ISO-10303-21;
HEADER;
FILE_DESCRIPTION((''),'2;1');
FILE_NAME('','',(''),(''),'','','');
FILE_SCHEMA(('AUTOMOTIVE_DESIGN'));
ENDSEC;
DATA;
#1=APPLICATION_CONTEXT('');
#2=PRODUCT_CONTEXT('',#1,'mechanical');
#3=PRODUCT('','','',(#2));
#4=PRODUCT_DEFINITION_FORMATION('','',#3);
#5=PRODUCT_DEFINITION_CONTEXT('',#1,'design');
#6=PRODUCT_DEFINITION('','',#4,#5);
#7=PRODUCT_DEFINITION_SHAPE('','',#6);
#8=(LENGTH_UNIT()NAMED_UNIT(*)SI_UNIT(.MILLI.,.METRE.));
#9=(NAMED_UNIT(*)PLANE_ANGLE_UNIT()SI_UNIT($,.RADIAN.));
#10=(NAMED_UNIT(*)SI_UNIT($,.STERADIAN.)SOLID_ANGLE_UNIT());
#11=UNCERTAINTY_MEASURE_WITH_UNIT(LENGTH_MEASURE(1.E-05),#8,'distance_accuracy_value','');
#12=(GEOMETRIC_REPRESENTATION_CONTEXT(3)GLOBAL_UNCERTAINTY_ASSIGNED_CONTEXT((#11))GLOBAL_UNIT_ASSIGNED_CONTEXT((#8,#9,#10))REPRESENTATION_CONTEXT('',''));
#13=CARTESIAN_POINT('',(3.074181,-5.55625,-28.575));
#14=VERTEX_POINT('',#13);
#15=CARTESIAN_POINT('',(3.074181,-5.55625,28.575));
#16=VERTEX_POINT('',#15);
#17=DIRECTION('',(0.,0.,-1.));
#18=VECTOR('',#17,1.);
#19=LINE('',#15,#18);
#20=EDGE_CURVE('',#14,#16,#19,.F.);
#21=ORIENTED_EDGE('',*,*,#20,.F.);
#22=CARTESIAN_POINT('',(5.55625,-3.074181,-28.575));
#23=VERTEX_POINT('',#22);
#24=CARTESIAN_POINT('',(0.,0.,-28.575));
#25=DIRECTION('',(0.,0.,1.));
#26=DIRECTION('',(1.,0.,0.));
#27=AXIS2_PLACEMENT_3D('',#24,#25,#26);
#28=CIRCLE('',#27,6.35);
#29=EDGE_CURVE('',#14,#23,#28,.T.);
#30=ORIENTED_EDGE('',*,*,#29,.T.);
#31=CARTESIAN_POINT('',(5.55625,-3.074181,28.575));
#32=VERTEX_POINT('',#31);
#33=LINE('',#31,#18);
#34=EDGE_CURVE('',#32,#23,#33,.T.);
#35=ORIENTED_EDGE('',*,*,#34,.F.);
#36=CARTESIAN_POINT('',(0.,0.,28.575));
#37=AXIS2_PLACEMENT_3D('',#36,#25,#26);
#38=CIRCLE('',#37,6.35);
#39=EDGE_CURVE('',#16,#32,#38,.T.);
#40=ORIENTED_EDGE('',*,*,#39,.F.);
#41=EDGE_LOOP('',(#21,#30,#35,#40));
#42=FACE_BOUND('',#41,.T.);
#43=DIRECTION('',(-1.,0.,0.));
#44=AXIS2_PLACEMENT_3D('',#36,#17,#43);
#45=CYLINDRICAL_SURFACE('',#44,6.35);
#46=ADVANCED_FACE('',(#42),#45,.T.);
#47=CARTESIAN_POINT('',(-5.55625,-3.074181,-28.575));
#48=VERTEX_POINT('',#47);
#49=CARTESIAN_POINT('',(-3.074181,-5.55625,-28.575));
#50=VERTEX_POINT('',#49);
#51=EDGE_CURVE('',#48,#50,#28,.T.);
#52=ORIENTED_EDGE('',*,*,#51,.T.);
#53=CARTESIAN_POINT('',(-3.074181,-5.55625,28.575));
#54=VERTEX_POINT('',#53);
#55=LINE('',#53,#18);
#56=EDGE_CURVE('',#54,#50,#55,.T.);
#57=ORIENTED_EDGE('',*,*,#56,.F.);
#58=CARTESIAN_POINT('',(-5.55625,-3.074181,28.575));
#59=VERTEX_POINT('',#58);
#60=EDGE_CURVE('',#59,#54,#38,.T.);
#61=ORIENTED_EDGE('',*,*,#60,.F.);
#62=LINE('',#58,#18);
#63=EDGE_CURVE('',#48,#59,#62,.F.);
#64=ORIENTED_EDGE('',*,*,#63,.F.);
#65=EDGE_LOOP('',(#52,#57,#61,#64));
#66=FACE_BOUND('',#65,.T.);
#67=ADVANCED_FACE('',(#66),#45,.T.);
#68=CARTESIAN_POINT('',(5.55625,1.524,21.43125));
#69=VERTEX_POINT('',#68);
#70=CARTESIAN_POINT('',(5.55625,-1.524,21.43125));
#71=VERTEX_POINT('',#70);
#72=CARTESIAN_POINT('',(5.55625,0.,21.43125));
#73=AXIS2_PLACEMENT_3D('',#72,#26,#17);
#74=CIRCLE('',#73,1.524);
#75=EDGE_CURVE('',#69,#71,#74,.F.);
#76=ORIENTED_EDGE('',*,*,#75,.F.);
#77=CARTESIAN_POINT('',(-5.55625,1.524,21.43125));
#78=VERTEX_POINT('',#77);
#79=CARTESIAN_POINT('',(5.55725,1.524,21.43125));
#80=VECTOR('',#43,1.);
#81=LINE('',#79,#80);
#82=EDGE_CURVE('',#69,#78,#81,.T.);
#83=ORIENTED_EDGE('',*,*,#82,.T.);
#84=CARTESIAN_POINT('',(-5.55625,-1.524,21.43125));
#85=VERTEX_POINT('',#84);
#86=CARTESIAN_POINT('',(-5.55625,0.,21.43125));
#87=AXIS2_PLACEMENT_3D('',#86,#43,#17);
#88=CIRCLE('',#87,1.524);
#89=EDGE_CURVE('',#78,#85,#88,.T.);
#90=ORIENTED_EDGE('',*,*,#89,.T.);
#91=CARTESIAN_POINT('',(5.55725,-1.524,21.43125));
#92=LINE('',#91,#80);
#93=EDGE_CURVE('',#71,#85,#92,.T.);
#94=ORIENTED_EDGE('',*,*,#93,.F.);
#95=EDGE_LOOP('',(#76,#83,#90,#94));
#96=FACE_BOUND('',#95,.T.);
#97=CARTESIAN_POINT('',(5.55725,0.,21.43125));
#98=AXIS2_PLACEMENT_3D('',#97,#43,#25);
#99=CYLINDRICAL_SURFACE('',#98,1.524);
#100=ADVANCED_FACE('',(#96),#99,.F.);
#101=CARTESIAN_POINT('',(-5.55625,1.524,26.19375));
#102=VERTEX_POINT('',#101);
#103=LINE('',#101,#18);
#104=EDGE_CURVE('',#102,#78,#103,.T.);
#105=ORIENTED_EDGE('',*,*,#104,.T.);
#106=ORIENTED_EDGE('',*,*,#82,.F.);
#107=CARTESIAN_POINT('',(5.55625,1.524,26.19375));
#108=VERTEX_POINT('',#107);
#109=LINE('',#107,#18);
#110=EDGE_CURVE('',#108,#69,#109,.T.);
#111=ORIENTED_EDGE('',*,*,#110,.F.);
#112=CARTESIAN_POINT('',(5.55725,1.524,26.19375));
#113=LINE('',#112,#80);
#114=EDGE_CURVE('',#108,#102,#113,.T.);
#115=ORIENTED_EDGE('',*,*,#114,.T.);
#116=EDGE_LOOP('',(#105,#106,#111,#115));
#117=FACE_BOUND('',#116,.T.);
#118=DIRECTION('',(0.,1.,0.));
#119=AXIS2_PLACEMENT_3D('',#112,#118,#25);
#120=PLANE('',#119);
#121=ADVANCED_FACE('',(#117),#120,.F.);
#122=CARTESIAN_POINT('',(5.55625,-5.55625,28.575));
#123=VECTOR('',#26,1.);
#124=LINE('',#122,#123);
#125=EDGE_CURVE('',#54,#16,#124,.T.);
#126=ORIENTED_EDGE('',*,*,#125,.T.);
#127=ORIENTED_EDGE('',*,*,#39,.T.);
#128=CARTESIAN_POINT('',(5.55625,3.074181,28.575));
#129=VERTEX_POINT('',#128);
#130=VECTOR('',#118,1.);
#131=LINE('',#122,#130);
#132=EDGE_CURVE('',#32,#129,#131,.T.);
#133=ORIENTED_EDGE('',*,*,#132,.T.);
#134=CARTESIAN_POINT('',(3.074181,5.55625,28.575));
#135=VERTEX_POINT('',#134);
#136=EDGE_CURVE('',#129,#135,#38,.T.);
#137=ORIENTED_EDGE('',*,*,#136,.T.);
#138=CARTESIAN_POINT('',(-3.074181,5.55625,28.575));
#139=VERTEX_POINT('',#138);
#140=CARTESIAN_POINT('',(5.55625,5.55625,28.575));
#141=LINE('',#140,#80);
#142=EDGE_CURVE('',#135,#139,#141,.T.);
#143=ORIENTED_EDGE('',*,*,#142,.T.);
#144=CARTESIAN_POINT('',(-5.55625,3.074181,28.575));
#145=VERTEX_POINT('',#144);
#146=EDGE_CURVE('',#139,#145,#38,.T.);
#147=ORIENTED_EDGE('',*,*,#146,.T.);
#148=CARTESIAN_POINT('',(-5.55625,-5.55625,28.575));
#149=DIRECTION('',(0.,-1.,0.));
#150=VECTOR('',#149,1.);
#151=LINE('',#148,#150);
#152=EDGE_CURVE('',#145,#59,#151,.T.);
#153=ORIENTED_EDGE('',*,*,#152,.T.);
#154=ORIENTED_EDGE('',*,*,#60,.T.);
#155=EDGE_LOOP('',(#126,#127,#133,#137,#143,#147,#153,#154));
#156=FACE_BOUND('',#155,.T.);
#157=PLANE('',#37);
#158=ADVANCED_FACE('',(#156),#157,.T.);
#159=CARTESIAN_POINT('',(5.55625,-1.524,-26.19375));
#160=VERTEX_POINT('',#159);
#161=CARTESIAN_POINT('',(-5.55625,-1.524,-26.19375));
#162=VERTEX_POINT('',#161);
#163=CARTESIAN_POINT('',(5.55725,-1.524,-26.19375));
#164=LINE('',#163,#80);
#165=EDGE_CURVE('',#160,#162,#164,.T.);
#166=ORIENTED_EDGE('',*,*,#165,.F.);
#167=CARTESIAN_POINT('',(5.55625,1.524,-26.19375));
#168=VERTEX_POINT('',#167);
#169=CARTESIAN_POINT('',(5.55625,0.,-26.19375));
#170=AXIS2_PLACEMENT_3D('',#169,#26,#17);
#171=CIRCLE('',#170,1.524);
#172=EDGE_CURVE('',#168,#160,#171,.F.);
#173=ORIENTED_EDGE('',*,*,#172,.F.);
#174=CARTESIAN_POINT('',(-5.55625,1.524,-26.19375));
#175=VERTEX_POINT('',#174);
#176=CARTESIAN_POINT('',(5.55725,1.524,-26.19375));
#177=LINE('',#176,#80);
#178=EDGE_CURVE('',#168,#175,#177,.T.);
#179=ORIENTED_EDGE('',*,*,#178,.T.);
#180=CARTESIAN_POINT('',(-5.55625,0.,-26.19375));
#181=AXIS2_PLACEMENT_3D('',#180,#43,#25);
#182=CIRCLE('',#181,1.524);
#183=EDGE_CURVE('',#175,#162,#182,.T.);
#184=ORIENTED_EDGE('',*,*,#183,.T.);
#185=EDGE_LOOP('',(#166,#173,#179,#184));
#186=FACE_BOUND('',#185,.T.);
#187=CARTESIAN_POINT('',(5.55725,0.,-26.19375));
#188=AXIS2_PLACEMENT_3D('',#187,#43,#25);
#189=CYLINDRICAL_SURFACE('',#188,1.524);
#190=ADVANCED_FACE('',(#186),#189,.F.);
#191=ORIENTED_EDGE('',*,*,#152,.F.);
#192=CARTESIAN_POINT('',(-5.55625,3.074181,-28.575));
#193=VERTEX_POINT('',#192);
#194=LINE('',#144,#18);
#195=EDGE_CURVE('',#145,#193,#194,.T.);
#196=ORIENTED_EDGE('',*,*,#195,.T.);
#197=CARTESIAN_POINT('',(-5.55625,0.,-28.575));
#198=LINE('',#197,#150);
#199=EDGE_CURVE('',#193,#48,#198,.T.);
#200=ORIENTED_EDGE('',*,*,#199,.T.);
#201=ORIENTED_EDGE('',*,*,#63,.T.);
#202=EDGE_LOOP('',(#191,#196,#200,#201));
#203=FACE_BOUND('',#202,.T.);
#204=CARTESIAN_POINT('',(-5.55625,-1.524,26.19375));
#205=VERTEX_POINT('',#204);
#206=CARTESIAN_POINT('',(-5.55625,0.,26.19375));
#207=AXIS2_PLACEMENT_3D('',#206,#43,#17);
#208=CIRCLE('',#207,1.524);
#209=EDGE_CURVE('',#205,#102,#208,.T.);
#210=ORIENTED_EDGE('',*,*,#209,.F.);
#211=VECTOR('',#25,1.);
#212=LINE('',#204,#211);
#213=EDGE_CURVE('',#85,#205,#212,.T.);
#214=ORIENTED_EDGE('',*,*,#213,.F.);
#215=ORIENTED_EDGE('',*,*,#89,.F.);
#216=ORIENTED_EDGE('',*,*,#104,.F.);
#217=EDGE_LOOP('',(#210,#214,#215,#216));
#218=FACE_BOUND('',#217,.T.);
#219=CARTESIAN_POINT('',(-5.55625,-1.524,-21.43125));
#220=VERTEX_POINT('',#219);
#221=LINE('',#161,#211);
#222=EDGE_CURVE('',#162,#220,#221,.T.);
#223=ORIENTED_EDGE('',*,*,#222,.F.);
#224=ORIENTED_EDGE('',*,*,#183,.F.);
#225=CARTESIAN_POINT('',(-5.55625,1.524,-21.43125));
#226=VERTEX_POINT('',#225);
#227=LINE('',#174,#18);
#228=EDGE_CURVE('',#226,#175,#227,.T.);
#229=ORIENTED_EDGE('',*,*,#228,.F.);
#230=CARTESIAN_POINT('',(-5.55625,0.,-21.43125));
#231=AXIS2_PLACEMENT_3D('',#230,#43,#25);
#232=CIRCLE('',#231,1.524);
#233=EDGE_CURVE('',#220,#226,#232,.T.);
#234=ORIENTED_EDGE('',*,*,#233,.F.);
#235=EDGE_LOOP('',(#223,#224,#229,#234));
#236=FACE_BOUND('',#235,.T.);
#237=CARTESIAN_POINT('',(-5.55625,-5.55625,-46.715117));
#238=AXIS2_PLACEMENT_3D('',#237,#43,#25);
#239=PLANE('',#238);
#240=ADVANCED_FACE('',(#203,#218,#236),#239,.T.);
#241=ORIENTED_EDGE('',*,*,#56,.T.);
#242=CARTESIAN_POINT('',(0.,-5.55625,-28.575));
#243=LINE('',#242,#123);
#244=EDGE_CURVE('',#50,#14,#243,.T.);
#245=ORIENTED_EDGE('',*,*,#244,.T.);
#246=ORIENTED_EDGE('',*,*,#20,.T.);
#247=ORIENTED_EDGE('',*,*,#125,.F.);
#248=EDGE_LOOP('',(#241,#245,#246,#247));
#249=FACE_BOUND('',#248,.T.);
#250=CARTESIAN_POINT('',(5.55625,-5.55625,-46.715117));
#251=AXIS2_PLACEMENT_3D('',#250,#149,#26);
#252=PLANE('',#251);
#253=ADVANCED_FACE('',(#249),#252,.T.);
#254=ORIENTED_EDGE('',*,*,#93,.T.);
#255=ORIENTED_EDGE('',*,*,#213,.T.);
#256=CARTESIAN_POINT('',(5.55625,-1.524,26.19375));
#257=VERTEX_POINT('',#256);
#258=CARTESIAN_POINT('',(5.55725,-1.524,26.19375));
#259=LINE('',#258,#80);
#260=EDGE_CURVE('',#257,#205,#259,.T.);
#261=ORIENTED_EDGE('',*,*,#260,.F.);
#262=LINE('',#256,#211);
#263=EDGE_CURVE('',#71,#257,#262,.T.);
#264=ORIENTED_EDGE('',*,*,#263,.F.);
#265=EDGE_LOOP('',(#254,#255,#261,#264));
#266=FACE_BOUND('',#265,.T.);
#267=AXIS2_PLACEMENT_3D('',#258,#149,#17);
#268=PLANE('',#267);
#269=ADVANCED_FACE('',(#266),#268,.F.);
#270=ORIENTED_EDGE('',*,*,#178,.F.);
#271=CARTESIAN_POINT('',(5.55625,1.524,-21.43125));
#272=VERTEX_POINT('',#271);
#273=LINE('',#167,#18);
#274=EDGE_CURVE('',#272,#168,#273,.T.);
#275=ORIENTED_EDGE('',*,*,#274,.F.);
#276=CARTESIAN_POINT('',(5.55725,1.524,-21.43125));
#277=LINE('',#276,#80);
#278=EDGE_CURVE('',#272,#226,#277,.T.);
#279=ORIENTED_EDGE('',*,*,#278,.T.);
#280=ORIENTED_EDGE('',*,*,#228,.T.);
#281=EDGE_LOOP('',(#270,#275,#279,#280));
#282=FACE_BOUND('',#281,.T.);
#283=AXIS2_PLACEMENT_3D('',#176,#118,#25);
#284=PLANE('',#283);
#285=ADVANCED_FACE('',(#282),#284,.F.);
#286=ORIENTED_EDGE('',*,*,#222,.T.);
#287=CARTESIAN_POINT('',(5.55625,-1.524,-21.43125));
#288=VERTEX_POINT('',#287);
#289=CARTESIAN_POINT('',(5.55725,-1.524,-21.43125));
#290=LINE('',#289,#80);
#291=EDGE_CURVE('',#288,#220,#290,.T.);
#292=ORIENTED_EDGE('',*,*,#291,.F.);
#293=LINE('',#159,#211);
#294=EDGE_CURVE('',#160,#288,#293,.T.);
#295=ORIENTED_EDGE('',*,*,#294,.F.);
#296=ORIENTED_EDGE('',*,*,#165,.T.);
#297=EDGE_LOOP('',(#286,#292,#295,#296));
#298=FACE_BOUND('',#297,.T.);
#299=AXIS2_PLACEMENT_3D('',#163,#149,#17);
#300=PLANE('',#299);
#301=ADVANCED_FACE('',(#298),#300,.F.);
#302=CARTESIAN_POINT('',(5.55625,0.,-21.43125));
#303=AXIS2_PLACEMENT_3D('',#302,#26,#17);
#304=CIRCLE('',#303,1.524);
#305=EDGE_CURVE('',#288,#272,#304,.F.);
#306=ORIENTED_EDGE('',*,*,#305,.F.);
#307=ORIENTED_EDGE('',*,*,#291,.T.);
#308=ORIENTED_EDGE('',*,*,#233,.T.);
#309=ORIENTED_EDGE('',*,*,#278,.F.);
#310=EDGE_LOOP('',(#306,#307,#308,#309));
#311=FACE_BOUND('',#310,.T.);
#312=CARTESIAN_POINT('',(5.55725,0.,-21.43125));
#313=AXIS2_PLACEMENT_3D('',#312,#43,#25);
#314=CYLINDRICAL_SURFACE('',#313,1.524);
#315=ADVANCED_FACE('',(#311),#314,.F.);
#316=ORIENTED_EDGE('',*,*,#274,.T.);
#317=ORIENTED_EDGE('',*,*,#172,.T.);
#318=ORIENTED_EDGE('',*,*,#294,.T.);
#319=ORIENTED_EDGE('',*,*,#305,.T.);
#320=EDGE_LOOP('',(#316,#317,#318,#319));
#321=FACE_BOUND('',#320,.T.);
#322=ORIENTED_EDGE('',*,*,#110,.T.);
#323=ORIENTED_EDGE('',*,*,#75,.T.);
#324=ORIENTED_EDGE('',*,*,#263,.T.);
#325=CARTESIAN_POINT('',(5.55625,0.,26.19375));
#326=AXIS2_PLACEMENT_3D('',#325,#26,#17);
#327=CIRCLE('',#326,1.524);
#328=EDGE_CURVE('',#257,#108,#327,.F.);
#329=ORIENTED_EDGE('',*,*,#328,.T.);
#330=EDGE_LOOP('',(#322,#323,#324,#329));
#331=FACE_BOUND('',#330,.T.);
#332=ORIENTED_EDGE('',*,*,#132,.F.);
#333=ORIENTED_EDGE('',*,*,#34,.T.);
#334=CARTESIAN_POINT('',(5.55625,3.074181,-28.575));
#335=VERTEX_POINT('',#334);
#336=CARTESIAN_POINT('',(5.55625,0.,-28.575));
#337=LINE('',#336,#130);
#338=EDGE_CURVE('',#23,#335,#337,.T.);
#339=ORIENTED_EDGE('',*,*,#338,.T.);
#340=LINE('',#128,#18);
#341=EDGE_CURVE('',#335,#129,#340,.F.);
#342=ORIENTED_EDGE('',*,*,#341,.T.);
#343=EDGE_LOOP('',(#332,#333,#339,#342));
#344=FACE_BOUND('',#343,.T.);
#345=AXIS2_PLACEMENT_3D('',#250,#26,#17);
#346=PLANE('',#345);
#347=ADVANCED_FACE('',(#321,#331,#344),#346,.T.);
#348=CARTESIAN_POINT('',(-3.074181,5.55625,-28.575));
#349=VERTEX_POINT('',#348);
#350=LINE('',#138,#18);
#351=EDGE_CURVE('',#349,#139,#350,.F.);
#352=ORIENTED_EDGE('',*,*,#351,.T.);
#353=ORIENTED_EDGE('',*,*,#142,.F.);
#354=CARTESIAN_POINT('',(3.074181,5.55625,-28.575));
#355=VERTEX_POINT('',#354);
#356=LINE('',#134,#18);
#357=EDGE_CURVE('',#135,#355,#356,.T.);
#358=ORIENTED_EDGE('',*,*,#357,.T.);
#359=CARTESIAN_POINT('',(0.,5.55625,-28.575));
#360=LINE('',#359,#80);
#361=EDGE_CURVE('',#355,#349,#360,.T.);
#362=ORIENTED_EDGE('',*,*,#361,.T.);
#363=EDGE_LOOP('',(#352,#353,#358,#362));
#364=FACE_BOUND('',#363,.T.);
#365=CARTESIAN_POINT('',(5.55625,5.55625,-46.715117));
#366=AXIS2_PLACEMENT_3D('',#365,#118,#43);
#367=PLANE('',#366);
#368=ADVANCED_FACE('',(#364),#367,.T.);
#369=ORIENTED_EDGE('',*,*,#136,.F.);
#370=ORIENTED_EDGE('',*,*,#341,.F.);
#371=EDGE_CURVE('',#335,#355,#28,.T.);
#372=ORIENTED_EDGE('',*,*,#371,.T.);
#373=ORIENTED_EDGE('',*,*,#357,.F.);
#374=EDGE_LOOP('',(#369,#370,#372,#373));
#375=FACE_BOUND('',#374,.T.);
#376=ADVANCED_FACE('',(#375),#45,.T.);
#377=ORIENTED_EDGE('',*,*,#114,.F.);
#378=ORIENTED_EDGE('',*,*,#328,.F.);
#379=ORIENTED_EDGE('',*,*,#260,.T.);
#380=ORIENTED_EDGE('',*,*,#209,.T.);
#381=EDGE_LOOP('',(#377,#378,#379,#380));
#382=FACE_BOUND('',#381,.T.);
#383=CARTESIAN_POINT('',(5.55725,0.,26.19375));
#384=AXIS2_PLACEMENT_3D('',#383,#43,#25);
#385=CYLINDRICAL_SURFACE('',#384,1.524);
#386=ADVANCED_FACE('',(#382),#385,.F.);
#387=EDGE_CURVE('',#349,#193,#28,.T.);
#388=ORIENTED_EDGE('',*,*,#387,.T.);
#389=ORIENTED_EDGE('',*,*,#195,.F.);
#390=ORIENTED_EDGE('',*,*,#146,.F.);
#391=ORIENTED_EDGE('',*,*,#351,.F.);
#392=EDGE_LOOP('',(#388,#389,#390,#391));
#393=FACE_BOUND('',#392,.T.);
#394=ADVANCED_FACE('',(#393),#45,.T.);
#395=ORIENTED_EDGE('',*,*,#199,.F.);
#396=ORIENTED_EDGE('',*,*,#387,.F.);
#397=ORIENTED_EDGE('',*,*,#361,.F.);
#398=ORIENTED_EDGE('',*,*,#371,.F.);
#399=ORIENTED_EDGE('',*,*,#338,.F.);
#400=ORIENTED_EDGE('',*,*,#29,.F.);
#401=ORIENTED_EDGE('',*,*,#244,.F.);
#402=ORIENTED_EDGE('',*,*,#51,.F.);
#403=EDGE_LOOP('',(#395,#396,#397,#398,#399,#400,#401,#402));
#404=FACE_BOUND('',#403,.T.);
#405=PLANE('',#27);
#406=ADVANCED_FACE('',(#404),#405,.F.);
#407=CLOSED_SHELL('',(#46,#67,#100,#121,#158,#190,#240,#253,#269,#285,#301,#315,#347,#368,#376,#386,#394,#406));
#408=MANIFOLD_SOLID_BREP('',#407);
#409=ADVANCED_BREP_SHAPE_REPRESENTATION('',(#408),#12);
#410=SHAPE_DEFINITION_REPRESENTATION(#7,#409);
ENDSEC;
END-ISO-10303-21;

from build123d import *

# Parameters (mm, degrees)
SKETCH1_R               = 6.35
BOSS_EXTRUDE1_DEPTH     = 28.575
CUT_EXTRUDE1_DEPTH      = 28.575
CUT_EXTRUDE1_DEPTH_BACK = 28.575
SKETCH3_OUTSIDE_W       = 26.682
SKETCH3_OUTSIDE_H       = 26.682
SKETCH3_OUTSIDE_W_2     = 11.1125
SKETCH3_OUTSIDE_H_2     = 11.1125
CUT_EXTRUDE2_REACH      = 33.159


with BuildPart() as part:
    # Sketch1 → Boss-Extrude1 (new, symmetric)
    with BuildSketch(Plane.XY):
        Circle(SKETCH1_R)
    extrude(amount=BOSS_EXTRUDE1_DEPTH, both=True)

    # Sketch3 outside → Cut-Extrude1 (cut, two sides: drawn at the far end of the back side and taken through both)
    with BuildSketch(Plane.XY.offset(-CUT_EXTRUDE1_DEPTH_BACK)):
        Rectangle(SKETCH3_OUTSIDE_W, SKETCH3_OUTSIDE_H)
        Rectangle(SKETCH3_OUTSIDE_W_2, SKETCH3_OUTSIDE_H_2, mode=Mode.SUBTRACT)
    extrude(amount=CUT_EXTRUDE1_DEPTH + CUT_EXTRUDE1_DEPTH_BACK, mode=Mode.SUBTRACT)

    # Sketch4 → Cut-Extrude2 (cut, up to next)
    with BuildSketch(Plane.ZY.offset(5.55625), mode=Mode.PRIVATE) as cut_extrude2_sk1:
        with BuildLine():
            Line((-26.19375, 1.524), (-21.43125, 1.524))
            ThreePointArc((-21.43125, 1.524), (-19.90725, 0), (-21.43125, -1.524))
            Line((-21.43125, -1.524), (-26.19375, -1.524))
            ThreePointArc((-26.19375, -1.524), (-27.71775, 0), (-26.19375, 1.524))
        make_face()
    cut_extrude2_tool1 = extrude(cut_extrude2_sk1.sketch, amount=-CUT_EXTRUDE2_REACH, mode=Mode.PRIVATE) & part.part
    # Sketch4 → Cut-Extrude2 (cut, up to next)
    with BuildSketch(Plane.ZY.offset(5.55625), mode=Mode.PRIVATE) as cut_extrude2_sk2:
        with BuildLine():
            Line((26.19375, 1.524), (21.43125, 1.524))
            ThreePointArc((21.43125, 1.524), (19.90725, 0), (21.43125, -1.524))
            Line((21.43125, -1.524), (26.19375, -1.524))
            ThreePointArc((26.19375, -1.524), (27.71775, 0), (26.19375, 1.524))
        make_face()
    cut_extrude2_tool2 = extrude(cut_extrude2_sk2.sketch, amount=-CUT_EXTRUDE2_REACH, mode=Mode.PRIVATE) & part.part
    add(cut_extrude2_tool1.solids().sort_by_distance((-5.55625, 0, -23.8125))[0], mode=Mode.SUBTRACT)
    add(cut_extrude2_tool2.solids().sort_by_distance((-5.55625, 0, 23.8125))[0], mode=Mode.SUBTRACT)


solid = part.part
